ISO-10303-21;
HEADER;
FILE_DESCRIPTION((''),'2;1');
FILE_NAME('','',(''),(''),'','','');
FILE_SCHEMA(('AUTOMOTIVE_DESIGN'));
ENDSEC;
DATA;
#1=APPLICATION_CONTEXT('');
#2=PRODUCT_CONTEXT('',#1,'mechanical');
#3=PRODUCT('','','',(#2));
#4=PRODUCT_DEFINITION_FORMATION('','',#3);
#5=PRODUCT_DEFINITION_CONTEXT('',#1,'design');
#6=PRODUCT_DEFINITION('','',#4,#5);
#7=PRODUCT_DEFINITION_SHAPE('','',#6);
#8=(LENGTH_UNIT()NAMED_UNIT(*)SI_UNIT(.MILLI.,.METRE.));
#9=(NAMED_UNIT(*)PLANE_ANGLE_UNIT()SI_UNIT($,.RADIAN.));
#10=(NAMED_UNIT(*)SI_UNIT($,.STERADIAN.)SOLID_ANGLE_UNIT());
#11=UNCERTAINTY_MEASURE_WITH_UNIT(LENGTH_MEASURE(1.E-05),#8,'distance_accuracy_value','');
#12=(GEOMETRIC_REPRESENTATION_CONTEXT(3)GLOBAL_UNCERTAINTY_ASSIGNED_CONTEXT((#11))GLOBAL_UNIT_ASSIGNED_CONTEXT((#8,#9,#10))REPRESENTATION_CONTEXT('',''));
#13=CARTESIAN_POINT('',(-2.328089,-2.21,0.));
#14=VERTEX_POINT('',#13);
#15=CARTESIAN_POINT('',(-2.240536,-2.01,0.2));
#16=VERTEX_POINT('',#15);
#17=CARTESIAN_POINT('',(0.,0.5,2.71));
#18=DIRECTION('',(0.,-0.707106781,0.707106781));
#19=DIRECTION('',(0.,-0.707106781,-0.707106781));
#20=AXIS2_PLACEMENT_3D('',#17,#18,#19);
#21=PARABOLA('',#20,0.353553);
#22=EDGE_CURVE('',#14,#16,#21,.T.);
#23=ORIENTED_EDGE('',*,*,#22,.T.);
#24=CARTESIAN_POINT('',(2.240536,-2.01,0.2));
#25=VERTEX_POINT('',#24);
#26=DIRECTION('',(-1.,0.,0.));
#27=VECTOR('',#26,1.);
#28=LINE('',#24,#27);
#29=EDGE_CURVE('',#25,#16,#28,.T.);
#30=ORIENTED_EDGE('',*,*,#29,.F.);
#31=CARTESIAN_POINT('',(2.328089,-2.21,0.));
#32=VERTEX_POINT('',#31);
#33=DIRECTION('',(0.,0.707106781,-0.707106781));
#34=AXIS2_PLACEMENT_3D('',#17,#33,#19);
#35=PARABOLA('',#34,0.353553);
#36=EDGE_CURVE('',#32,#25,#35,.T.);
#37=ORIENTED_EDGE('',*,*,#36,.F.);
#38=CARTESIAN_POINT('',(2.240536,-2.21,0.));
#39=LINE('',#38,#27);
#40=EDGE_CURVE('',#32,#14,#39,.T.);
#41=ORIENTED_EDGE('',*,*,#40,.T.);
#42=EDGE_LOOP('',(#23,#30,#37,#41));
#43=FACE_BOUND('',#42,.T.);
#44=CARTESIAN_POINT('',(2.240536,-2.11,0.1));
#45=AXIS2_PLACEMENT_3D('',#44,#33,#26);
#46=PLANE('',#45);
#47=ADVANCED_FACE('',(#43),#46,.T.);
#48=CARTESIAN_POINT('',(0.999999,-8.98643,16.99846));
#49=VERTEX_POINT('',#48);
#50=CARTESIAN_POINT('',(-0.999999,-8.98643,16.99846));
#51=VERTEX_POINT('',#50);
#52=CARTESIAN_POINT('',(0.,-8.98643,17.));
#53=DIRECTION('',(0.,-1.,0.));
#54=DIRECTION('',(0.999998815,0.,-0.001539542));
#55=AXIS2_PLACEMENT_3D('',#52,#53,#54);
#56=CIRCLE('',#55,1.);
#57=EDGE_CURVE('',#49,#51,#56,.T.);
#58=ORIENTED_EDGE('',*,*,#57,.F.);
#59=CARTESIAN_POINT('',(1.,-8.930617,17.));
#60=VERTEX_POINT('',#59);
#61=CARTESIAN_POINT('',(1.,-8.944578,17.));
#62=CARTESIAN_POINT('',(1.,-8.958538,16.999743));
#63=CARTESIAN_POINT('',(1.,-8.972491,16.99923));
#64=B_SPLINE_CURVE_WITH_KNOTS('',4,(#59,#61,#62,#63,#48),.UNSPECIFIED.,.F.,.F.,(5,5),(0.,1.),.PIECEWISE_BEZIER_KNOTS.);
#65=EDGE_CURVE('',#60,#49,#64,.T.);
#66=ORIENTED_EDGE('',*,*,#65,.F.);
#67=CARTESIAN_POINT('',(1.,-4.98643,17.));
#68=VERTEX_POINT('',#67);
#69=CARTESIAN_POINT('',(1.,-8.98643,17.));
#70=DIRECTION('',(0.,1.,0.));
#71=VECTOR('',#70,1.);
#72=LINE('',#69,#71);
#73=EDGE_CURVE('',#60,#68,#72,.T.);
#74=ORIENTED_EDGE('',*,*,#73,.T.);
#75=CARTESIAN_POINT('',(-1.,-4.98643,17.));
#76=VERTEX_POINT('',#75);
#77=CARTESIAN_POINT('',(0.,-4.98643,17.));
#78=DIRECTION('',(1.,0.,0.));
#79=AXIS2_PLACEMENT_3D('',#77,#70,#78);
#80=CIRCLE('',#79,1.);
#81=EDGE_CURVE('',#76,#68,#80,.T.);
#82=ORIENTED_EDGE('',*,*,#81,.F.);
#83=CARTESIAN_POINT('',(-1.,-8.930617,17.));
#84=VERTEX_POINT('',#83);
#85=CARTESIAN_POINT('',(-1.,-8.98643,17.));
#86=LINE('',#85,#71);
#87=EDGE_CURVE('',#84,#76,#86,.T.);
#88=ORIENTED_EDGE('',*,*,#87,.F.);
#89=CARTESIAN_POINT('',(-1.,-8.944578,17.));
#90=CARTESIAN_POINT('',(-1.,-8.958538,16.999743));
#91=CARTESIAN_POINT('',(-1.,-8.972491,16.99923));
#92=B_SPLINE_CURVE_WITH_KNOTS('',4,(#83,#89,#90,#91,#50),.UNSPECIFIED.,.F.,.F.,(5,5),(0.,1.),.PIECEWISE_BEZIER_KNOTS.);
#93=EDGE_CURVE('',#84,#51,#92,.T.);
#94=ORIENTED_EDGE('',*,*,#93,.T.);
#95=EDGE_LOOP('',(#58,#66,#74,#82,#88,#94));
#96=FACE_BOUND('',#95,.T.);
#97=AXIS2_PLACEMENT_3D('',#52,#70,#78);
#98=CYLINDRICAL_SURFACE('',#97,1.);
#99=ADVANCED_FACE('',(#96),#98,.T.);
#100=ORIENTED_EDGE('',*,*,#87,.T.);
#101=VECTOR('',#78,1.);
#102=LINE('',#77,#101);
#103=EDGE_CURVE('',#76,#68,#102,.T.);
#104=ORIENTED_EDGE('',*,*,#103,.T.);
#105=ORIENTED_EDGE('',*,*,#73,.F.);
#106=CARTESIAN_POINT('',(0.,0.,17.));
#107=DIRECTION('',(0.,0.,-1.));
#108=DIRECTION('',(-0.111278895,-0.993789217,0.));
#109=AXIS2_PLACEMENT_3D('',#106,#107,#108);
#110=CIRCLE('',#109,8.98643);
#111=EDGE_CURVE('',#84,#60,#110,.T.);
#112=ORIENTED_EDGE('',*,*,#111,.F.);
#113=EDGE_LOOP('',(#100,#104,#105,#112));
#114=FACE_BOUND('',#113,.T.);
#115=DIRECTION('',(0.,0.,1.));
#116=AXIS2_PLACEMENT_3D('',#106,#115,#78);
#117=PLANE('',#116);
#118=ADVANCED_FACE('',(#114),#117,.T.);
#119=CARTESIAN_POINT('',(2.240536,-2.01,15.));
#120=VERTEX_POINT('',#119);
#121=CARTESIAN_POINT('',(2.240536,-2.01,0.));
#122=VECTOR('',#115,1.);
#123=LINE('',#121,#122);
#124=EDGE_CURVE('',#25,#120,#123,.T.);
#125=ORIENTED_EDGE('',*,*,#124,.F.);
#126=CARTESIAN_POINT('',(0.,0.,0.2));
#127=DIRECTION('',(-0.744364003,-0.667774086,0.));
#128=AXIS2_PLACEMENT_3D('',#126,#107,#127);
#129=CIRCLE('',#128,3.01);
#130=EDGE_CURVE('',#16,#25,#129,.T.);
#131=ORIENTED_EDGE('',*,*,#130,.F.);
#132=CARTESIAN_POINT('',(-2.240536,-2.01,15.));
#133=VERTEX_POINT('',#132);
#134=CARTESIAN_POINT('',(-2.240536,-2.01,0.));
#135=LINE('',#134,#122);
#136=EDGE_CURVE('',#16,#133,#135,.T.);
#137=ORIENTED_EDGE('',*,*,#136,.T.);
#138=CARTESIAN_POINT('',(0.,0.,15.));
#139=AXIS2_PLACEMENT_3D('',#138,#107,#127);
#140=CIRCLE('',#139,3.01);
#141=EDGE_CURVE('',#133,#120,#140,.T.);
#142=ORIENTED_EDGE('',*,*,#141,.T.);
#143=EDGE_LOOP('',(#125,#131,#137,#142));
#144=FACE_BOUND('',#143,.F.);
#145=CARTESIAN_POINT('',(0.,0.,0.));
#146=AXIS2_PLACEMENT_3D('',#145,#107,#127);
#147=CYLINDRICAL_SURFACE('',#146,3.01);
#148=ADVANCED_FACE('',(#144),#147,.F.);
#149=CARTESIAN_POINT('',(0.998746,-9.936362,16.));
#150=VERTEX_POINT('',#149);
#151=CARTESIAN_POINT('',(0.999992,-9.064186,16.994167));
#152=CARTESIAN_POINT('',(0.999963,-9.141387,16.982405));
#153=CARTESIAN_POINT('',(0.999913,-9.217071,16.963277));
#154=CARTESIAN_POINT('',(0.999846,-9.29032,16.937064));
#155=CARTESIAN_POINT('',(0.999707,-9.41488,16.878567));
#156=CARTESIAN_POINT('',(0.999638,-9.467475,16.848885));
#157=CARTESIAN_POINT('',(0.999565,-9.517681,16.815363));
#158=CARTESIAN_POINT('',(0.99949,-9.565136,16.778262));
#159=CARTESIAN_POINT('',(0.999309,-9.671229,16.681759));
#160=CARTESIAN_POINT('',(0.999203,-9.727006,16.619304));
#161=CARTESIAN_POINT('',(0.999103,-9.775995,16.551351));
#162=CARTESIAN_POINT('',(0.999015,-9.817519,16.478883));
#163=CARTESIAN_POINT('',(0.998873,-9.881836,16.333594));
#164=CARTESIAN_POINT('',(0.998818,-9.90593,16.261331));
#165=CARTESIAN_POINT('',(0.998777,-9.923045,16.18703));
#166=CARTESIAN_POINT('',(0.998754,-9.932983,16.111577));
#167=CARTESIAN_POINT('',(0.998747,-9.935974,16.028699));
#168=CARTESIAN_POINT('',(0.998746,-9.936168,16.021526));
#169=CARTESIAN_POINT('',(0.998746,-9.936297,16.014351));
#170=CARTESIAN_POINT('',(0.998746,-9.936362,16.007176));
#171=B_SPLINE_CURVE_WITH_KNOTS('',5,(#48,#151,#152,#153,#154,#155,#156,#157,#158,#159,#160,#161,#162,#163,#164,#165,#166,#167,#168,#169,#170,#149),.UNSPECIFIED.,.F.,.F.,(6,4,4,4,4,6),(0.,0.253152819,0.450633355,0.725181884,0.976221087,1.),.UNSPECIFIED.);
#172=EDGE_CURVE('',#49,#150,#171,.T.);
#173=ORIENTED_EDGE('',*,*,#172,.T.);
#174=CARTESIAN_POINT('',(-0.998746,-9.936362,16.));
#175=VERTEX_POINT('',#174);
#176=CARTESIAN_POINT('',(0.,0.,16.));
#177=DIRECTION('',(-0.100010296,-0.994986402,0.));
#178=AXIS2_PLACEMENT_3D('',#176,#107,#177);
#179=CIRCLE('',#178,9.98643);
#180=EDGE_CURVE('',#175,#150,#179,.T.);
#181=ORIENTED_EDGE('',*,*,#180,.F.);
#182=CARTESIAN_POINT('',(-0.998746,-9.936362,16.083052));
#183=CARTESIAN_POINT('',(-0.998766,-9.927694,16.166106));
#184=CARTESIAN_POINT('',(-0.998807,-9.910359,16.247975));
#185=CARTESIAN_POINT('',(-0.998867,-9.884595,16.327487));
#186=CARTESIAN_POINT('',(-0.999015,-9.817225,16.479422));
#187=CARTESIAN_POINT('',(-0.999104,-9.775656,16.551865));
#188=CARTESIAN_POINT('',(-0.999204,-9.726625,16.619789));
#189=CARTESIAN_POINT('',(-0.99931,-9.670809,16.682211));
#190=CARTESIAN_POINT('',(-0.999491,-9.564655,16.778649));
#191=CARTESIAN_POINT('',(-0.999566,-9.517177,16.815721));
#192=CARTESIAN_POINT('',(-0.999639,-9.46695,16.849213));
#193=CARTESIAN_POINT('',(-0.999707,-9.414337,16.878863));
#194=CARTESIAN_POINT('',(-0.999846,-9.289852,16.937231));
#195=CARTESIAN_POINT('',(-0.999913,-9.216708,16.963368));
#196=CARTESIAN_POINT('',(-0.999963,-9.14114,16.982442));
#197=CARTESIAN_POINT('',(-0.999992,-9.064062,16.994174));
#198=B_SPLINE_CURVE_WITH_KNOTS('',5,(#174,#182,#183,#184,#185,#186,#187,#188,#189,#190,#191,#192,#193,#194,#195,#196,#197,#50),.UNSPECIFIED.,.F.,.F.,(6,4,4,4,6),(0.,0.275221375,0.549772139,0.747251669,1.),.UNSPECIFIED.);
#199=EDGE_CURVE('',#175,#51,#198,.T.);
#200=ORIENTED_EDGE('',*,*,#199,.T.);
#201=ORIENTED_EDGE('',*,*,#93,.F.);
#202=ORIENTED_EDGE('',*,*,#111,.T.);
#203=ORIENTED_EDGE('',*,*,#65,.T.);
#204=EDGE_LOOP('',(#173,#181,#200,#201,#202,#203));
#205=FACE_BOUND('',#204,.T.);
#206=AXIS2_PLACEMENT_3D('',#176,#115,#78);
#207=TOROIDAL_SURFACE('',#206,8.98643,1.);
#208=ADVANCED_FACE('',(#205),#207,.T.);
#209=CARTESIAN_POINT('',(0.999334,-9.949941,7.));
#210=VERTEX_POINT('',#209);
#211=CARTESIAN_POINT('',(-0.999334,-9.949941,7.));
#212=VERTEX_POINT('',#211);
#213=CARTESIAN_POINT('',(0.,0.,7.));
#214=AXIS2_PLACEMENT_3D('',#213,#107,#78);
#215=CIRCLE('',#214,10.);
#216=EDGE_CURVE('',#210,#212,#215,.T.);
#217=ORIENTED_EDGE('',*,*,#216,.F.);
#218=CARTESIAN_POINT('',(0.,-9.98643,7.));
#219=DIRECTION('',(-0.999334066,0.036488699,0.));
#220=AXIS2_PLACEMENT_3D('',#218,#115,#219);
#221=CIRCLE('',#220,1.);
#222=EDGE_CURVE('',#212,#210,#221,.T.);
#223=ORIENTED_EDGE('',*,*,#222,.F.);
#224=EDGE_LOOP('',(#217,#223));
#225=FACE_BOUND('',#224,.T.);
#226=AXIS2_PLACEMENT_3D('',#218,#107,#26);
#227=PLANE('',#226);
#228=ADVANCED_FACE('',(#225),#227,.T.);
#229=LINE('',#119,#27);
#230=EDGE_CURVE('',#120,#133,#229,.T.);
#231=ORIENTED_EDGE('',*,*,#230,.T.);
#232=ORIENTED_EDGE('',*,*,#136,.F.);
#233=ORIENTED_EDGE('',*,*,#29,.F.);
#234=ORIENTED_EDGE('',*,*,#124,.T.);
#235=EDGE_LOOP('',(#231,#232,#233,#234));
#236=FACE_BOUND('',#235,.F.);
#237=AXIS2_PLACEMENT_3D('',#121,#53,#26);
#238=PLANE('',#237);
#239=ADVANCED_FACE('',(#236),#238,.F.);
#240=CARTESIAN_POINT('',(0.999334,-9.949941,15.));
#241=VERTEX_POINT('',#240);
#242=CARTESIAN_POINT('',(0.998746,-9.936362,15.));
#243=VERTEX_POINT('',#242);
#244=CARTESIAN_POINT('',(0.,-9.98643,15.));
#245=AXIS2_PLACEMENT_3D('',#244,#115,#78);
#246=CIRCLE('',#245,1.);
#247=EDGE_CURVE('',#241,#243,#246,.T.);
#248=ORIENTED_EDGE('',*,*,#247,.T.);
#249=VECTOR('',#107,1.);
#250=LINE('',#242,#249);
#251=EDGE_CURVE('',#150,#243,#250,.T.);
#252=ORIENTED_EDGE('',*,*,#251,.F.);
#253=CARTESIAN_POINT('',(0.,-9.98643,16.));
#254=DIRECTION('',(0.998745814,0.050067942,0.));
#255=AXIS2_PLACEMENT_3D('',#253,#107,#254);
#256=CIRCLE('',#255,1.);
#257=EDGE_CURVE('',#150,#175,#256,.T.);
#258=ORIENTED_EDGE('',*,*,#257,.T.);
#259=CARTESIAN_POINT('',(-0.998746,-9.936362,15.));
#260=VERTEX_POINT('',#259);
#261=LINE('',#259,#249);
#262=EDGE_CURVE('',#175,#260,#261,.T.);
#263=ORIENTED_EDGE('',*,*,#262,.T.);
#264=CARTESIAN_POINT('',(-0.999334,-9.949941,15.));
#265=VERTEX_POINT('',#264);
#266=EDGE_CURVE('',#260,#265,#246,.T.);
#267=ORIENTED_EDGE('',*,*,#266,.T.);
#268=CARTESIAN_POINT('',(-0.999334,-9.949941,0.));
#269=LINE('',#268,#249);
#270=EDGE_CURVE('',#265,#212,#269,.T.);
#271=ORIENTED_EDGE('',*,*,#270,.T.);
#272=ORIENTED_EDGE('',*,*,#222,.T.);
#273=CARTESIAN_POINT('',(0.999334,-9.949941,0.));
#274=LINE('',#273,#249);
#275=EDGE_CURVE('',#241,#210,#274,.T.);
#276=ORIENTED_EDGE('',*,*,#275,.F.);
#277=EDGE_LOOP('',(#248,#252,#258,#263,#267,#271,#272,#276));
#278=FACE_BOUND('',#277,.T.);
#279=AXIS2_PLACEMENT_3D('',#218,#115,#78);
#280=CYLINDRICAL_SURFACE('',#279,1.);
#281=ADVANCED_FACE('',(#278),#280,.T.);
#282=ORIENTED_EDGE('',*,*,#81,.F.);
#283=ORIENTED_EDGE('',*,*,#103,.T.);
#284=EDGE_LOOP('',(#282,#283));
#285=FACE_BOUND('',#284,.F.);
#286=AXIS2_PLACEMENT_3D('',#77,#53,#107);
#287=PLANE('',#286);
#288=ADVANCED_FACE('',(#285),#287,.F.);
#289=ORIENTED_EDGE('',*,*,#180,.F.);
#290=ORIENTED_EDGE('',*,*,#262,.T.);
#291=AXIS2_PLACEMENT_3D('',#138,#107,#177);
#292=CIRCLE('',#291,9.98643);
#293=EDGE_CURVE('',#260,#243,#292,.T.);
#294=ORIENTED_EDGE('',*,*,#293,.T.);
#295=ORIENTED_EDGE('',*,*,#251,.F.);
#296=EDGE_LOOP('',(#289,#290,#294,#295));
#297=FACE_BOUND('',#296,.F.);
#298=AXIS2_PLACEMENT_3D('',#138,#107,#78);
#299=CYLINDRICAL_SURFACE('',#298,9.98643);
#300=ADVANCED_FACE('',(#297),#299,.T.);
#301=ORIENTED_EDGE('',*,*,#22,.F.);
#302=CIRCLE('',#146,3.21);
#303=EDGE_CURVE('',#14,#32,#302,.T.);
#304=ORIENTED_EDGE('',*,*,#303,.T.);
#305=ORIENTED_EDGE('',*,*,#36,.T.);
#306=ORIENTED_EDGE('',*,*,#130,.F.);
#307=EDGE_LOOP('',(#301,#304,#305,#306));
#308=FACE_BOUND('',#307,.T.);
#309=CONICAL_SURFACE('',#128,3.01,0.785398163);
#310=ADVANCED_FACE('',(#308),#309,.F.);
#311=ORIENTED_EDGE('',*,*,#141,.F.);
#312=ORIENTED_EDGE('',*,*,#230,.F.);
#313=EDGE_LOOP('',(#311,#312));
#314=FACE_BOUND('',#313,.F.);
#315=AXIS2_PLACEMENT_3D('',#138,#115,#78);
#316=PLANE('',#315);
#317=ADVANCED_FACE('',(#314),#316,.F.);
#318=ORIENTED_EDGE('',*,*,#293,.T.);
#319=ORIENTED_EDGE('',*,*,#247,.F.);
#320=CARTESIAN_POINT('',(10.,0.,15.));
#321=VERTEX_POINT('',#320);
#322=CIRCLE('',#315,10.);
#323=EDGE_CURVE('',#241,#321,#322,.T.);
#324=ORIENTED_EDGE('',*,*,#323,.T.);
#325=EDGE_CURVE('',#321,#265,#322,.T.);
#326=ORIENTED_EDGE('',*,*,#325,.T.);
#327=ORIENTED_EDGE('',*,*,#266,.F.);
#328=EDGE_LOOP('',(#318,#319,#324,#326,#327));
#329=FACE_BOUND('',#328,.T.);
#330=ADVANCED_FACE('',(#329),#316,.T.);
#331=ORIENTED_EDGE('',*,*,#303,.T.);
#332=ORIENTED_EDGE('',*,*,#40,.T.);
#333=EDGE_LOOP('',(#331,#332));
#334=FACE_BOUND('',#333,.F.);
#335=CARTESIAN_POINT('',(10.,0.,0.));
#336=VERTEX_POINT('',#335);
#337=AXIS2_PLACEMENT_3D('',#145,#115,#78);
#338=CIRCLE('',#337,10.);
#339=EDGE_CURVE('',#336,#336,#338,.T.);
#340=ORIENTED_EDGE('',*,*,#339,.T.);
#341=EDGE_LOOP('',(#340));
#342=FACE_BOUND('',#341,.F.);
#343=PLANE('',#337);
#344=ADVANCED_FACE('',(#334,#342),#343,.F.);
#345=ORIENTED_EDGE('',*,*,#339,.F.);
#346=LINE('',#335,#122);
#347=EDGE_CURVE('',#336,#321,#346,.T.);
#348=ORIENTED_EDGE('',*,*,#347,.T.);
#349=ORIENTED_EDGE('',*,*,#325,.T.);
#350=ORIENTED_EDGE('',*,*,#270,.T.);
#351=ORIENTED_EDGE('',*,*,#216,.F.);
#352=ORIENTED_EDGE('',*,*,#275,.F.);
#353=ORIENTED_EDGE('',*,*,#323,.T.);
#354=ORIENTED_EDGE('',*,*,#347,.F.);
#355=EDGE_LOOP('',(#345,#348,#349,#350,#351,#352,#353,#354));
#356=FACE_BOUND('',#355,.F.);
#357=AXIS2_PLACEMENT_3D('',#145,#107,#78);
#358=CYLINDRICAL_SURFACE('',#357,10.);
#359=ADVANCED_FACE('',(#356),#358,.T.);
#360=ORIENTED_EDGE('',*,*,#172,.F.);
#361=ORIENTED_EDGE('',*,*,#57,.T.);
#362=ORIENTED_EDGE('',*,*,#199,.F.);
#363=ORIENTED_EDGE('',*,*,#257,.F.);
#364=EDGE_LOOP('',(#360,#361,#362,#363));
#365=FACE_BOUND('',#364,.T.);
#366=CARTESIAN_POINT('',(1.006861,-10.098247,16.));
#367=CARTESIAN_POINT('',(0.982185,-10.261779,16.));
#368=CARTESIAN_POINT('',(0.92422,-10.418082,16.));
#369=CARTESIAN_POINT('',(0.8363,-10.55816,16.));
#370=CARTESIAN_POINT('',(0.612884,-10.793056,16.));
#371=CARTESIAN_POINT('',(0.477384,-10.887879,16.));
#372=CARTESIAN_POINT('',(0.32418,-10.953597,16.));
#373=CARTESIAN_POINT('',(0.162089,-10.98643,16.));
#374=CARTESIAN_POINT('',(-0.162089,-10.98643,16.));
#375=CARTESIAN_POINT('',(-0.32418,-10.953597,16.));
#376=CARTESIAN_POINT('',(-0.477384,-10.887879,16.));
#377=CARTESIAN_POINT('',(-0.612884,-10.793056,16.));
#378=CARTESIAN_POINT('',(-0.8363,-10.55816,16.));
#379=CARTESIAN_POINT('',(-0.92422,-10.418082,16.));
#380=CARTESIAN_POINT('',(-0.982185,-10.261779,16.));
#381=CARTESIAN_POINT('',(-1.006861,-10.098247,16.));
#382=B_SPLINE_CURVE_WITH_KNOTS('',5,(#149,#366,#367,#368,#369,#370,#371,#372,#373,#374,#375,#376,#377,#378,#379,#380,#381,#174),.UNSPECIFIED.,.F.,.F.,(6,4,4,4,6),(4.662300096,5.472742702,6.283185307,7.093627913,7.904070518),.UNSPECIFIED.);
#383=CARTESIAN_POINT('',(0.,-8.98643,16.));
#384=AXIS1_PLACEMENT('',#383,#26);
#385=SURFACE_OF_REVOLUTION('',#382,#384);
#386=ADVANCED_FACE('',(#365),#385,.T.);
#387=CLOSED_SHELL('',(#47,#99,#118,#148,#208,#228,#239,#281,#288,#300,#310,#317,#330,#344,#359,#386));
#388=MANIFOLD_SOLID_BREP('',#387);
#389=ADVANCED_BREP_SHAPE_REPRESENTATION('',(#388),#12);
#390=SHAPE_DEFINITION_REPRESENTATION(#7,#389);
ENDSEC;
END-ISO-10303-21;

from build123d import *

# Parameters (mm, degrees)
F0_R     = 10
F1_DEPTH = 15
F2_R     = 9.9864299767
F9_DEPTH = 2
F3_R     = 1
F4_SIZE  = 0.2
F7_R     = 1


with BuildPart() as f1:
    # F0 (on Top) → F1 (new body)
    with BuildSketch(Plane.XY):
        Circle(F0_R)
        with BuildLine():
            ThreePointArc((-2.2405356502, -2.01), (0, 3.01), (2.2405356502, -2.01))
            Line((2.2405356502, -2.01), (-2.2405356502, -2.01))
        make_face(mode=Mode.SUBTRACT)
    extrude(amount=F1_DEPTH)

    # F2 (on face) → F9 (join)
    with BuildSketch(Plane.XY.offset(15)):
        Circle(F2_R)
        with BuildLine():
            Line((2.2405356502, -2.01), (-2.2405356502, -2.01))
            ThreePointArc((-2.2405356502, -2.01), (0, 3.01), (2.2405356502, -2.01))
        make_face(mode=Mode.SUBTRACT)
        Circle(F2_R)
    extrude(amount=F9_DEPTH)

    # F3
    f3_edges = [f1.edges().sort_by_distance(p)[0] for p in [
        (-9.98643, 0, 17),
    ]]
    fillet(f3_edges, radius=F3_R)

    # F4
    f4_edges = [f1.edges().sort_by_distance(p)[0] for p in [
        (0, 3.01, 0),
        (0, -2.01, 0),
    ]]
    chamfer(f4_edges, length=F4_SIZE)

    # F8: sweep along a path in F5
    with BuildLine(Plane.YZ) as f8_path:
        Line((-9.9864299767, 7), (-9.9864299767, 16))
        ThreePointArc((-9.9864299767, 16), (-9.6935367579, 16.7071067812), (-8.9864299767, 17))
        Line((-8.9864299767, 17), (-4.9864299767, 17))
    # F7 (on line) → F8 (sweep)
    with BuildSketch(Plane(origin=(0, 0, 7), x_dir=(1, 0, 0), z_dir=(0, 0, -1))):
        with Locations((0, 9.9864299767)):
            Circle(F7_R)
    sweep(path=f8_path.line)


solid = f1.part
